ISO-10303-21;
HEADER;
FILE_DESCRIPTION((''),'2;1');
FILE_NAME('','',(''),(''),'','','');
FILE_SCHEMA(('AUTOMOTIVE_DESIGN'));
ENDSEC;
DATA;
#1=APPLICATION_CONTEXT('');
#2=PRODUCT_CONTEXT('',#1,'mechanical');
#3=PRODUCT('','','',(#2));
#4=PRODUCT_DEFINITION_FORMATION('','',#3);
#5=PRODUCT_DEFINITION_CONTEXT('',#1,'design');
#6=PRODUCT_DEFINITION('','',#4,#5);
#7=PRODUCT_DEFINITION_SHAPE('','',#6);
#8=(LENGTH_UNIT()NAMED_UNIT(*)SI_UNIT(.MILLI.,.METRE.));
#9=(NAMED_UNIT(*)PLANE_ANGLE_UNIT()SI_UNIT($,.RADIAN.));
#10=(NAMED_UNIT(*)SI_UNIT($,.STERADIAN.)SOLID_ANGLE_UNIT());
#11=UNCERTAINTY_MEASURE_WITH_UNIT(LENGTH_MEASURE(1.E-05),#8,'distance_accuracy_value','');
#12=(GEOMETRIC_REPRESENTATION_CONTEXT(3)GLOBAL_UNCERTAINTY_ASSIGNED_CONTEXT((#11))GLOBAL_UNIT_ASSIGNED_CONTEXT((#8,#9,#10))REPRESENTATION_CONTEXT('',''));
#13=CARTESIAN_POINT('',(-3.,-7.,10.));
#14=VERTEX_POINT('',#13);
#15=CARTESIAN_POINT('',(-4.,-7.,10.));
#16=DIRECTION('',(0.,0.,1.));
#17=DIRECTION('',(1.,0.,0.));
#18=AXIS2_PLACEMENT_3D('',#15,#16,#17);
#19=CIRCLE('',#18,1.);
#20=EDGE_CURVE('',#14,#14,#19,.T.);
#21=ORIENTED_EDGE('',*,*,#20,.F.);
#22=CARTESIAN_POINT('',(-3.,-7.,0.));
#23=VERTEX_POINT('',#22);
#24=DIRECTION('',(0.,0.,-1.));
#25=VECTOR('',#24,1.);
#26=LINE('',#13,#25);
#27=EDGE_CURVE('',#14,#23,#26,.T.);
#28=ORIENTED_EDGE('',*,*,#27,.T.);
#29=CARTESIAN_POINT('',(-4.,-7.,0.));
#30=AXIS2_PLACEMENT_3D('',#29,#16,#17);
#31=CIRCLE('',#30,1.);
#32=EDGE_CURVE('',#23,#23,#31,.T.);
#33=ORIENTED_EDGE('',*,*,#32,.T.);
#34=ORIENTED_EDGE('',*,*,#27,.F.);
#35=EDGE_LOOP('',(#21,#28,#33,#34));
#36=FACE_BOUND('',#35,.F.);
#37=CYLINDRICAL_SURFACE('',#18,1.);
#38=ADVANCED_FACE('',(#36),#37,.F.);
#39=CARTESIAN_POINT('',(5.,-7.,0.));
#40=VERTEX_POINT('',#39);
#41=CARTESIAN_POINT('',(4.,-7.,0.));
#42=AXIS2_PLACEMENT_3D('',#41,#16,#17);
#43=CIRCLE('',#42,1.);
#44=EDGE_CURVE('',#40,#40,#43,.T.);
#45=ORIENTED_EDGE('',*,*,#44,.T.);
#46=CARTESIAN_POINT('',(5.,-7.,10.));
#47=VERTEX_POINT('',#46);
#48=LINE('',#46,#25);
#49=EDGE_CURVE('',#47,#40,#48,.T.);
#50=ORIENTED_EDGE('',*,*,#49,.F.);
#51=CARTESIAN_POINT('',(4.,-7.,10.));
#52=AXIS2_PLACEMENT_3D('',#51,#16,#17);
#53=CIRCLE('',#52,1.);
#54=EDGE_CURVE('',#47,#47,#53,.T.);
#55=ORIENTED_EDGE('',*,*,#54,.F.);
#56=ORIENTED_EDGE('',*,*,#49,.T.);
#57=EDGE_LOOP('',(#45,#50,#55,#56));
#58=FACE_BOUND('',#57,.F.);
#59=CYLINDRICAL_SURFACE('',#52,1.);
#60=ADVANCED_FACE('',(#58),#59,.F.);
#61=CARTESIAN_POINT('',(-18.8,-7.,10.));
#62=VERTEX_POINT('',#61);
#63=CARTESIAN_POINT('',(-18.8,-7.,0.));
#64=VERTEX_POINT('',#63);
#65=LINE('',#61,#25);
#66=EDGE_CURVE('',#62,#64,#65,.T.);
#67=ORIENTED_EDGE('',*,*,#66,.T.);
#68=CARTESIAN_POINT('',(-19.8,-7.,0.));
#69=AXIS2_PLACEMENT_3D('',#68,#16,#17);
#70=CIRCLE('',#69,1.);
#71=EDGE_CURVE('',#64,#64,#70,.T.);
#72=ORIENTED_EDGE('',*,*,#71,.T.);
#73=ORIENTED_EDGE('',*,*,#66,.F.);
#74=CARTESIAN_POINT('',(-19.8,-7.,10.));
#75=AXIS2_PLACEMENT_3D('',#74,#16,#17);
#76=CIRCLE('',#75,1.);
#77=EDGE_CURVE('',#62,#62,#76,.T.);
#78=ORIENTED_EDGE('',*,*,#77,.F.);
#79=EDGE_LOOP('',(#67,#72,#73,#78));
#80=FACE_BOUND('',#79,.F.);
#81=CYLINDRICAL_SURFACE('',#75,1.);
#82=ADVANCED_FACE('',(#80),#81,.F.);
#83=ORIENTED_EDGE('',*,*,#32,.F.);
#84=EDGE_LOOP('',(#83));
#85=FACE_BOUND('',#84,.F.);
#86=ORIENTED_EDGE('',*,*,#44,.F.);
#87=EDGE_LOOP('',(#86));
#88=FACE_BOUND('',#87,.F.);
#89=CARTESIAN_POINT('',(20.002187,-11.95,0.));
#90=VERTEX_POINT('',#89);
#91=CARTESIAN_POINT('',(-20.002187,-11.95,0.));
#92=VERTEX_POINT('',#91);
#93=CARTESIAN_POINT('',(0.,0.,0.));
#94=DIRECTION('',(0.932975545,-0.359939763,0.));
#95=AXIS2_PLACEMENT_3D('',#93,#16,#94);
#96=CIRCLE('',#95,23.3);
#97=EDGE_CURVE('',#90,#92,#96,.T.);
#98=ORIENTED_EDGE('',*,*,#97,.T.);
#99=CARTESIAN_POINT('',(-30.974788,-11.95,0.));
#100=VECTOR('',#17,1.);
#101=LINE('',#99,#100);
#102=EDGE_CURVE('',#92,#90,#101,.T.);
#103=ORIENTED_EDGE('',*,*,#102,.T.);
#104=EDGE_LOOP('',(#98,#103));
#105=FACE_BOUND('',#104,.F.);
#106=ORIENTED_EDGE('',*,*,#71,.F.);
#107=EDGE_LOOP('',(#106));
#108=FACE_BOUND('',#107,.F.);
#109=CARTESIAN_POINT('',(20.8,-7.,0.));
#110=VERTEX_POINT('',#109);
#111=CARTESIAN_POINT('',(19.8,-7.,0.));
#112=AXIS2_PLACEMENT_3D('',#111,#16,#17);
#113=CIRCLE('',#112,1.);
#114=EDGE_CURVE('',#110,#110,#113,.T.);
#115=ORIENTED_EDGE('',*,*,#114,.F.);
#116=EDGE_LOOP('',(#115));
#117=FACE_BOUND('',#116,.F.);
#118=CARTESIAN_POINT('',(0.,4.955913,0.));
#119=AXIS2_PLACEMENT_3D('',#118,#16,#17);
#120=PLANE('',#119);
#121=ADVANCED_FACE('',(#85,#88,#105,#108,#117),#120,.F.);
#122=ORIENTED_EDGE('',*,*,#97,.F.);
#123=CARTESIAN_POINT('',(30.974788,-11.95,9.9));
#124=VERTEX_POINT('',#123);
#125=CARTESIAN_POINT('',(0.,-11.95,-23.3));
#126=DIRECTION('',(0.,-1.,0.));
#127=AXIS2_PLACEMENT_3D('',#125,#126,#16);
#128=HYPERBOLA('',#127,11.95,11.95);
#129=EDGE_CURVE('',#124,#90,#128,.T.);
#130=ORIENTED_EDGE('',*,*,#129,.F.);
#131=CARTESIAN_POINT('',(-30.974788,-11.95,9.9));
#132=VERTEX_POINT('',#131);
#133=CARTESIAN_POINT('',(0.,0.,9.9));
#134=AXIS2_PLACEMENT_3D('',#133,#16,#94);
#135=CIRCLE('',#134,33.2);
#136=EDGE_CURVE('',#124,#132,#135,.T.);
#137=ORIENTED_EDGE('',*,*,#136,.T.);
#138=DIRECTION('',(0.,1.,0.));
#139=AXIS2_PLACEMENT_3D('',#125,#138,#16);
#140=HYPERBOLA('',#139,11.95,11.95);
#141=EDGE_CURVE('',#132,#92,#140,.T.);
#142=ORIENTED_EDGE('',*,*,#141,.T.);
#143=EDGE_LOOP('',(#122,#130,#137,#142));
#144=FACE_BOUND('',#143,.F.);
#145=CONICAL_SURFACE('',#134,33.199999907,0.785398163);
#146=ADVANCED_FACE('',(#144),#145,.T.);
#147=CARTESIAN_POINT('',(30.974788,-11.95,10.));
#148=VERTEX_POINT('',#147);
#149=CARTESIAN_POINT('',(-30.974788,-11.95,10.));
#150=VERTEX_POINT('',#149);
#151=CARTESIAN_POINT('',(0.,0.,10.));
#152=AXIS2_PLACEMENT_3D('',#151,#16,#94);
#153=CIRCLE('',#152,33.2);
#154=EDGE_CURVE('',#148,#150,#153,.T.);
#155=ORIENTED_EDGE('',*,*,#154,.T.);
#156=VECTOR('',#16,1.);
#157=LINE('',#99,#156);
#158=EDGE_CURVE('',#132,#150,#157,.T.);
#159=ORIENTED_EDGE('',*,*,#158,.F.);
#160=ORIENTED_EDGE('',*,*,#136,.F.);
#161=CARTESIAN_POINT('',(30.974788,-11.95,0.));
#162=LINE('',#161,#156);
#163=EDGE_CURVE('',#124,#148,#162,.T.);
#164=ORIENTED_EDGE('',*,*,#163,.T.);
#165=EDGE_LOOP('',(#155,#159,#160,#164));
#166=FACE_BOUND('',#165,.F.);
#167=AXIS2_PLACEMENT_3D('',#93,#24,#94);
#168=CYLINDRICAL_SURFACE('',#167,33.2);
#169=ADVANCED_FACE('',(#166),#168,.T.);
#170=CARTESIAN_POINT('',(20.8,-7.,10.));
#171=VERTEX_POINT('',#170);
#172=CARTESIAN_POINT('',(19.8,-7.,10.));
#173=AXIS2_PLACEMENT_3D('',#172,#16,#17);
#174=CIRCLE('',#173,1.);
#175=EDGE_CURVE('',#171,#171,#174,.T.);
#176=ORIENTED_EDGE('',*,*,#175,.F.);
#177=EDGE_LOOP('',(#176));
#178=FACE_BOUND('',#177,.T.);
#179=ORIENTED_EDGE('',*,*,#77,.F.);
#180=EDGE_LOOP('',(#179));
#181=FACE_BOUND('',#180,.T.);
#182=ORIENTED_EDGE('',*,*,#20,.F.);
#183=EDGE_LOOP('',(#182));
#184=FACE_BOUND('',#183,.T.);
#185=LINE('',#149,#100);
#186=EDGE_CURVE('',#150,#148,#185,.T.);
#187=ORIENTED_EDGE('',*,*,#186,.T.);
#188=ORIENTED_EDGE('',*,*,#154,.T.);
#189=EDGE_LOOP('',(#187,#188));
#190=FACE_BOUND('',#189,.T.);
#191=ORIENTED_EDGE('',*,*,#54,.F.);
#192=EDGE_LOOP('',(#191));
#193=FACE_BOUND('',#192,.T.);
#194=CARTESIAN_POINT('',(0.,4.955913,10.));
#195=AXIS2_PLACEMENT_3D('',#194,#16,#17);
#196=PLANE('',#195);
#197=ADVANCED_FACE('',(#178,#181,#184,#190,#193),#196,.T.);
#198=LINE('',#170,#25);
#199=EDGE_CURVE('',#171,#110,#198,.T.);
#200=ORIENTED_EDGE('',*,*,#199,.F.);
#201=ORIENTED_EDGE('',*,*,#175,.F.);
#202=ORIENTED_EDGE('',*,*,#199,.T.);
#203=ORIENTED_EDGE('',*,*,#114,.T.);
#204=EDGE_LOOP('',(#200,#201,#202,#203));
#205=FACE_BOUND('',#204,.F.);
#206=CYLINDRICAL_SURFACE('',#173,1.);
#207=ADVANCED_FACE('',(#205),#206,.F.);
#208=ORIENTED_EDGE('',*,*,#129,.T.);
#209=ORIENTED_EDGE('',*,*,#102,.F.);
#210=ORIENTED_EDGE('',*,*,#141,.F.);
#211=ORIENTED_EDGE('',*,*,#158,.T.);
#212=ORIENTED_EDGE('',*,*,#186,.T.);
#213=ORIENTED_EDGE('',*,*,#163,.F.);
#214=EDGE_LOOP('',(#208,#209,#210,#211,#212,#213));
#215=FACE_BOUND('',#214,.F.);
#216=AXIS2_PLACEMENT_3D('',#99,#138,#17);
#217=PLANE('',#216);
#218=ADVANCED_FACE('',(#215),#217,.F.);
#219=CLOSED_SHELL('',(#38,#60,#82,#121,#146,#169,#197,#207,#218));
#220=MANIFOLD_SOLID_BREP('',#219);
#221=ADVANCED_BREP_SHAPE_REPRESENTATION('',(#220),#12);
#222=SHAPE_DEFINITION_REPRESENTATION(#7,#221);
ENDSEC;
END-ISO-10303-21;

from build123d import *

# Parameters (mm, degrees)
PAD_DEPTH       = 10
SKETCH005_R     = 1
POCKET001_DEPTH = 10.001
CHAMFER_SIZE    = 9.9


with BuildPart() as part:
    # Sketch → Pad (new body)
    with BuildSketch(Plane.XY):
        with BuildLine():
            ThreePointArc((30.974788, -11.95), (0, 33.2), (-30.974788, -11.95))
            Line((-30.974788, -11.95), (30.974788, -11.95))
        make_face()
    extrude(amount=PAD_DEPTH)

    # Sketch005 (on Face4 of Pad) → Pocket001 (cut, through all)
    with BuildSketch(Plane.XY.offset(10)):
        with Locations((4, -7)):
            Circle(SKETCH005_R)
        with Locations((19.8, -7)):
            Circle(SKETCH005_R)
        with Locations((-4, -7)):
            Circle(SKETCH005_R)
        with Locations((-19.8, -7)):
            Circle(SKETCH005_R)
    extrude(amount=-POCKET001_DEPTH, mode=Mode.SUBTRACT)

    # Chamfer
    chamfer_edges = [part.edges().sort_by_distance(p)[0] for p in [
        (0, 33.2, 0),
    ]]
    chamfer(chamfer_edges, length=CHAMFER_SIZE)


solid = part.part
